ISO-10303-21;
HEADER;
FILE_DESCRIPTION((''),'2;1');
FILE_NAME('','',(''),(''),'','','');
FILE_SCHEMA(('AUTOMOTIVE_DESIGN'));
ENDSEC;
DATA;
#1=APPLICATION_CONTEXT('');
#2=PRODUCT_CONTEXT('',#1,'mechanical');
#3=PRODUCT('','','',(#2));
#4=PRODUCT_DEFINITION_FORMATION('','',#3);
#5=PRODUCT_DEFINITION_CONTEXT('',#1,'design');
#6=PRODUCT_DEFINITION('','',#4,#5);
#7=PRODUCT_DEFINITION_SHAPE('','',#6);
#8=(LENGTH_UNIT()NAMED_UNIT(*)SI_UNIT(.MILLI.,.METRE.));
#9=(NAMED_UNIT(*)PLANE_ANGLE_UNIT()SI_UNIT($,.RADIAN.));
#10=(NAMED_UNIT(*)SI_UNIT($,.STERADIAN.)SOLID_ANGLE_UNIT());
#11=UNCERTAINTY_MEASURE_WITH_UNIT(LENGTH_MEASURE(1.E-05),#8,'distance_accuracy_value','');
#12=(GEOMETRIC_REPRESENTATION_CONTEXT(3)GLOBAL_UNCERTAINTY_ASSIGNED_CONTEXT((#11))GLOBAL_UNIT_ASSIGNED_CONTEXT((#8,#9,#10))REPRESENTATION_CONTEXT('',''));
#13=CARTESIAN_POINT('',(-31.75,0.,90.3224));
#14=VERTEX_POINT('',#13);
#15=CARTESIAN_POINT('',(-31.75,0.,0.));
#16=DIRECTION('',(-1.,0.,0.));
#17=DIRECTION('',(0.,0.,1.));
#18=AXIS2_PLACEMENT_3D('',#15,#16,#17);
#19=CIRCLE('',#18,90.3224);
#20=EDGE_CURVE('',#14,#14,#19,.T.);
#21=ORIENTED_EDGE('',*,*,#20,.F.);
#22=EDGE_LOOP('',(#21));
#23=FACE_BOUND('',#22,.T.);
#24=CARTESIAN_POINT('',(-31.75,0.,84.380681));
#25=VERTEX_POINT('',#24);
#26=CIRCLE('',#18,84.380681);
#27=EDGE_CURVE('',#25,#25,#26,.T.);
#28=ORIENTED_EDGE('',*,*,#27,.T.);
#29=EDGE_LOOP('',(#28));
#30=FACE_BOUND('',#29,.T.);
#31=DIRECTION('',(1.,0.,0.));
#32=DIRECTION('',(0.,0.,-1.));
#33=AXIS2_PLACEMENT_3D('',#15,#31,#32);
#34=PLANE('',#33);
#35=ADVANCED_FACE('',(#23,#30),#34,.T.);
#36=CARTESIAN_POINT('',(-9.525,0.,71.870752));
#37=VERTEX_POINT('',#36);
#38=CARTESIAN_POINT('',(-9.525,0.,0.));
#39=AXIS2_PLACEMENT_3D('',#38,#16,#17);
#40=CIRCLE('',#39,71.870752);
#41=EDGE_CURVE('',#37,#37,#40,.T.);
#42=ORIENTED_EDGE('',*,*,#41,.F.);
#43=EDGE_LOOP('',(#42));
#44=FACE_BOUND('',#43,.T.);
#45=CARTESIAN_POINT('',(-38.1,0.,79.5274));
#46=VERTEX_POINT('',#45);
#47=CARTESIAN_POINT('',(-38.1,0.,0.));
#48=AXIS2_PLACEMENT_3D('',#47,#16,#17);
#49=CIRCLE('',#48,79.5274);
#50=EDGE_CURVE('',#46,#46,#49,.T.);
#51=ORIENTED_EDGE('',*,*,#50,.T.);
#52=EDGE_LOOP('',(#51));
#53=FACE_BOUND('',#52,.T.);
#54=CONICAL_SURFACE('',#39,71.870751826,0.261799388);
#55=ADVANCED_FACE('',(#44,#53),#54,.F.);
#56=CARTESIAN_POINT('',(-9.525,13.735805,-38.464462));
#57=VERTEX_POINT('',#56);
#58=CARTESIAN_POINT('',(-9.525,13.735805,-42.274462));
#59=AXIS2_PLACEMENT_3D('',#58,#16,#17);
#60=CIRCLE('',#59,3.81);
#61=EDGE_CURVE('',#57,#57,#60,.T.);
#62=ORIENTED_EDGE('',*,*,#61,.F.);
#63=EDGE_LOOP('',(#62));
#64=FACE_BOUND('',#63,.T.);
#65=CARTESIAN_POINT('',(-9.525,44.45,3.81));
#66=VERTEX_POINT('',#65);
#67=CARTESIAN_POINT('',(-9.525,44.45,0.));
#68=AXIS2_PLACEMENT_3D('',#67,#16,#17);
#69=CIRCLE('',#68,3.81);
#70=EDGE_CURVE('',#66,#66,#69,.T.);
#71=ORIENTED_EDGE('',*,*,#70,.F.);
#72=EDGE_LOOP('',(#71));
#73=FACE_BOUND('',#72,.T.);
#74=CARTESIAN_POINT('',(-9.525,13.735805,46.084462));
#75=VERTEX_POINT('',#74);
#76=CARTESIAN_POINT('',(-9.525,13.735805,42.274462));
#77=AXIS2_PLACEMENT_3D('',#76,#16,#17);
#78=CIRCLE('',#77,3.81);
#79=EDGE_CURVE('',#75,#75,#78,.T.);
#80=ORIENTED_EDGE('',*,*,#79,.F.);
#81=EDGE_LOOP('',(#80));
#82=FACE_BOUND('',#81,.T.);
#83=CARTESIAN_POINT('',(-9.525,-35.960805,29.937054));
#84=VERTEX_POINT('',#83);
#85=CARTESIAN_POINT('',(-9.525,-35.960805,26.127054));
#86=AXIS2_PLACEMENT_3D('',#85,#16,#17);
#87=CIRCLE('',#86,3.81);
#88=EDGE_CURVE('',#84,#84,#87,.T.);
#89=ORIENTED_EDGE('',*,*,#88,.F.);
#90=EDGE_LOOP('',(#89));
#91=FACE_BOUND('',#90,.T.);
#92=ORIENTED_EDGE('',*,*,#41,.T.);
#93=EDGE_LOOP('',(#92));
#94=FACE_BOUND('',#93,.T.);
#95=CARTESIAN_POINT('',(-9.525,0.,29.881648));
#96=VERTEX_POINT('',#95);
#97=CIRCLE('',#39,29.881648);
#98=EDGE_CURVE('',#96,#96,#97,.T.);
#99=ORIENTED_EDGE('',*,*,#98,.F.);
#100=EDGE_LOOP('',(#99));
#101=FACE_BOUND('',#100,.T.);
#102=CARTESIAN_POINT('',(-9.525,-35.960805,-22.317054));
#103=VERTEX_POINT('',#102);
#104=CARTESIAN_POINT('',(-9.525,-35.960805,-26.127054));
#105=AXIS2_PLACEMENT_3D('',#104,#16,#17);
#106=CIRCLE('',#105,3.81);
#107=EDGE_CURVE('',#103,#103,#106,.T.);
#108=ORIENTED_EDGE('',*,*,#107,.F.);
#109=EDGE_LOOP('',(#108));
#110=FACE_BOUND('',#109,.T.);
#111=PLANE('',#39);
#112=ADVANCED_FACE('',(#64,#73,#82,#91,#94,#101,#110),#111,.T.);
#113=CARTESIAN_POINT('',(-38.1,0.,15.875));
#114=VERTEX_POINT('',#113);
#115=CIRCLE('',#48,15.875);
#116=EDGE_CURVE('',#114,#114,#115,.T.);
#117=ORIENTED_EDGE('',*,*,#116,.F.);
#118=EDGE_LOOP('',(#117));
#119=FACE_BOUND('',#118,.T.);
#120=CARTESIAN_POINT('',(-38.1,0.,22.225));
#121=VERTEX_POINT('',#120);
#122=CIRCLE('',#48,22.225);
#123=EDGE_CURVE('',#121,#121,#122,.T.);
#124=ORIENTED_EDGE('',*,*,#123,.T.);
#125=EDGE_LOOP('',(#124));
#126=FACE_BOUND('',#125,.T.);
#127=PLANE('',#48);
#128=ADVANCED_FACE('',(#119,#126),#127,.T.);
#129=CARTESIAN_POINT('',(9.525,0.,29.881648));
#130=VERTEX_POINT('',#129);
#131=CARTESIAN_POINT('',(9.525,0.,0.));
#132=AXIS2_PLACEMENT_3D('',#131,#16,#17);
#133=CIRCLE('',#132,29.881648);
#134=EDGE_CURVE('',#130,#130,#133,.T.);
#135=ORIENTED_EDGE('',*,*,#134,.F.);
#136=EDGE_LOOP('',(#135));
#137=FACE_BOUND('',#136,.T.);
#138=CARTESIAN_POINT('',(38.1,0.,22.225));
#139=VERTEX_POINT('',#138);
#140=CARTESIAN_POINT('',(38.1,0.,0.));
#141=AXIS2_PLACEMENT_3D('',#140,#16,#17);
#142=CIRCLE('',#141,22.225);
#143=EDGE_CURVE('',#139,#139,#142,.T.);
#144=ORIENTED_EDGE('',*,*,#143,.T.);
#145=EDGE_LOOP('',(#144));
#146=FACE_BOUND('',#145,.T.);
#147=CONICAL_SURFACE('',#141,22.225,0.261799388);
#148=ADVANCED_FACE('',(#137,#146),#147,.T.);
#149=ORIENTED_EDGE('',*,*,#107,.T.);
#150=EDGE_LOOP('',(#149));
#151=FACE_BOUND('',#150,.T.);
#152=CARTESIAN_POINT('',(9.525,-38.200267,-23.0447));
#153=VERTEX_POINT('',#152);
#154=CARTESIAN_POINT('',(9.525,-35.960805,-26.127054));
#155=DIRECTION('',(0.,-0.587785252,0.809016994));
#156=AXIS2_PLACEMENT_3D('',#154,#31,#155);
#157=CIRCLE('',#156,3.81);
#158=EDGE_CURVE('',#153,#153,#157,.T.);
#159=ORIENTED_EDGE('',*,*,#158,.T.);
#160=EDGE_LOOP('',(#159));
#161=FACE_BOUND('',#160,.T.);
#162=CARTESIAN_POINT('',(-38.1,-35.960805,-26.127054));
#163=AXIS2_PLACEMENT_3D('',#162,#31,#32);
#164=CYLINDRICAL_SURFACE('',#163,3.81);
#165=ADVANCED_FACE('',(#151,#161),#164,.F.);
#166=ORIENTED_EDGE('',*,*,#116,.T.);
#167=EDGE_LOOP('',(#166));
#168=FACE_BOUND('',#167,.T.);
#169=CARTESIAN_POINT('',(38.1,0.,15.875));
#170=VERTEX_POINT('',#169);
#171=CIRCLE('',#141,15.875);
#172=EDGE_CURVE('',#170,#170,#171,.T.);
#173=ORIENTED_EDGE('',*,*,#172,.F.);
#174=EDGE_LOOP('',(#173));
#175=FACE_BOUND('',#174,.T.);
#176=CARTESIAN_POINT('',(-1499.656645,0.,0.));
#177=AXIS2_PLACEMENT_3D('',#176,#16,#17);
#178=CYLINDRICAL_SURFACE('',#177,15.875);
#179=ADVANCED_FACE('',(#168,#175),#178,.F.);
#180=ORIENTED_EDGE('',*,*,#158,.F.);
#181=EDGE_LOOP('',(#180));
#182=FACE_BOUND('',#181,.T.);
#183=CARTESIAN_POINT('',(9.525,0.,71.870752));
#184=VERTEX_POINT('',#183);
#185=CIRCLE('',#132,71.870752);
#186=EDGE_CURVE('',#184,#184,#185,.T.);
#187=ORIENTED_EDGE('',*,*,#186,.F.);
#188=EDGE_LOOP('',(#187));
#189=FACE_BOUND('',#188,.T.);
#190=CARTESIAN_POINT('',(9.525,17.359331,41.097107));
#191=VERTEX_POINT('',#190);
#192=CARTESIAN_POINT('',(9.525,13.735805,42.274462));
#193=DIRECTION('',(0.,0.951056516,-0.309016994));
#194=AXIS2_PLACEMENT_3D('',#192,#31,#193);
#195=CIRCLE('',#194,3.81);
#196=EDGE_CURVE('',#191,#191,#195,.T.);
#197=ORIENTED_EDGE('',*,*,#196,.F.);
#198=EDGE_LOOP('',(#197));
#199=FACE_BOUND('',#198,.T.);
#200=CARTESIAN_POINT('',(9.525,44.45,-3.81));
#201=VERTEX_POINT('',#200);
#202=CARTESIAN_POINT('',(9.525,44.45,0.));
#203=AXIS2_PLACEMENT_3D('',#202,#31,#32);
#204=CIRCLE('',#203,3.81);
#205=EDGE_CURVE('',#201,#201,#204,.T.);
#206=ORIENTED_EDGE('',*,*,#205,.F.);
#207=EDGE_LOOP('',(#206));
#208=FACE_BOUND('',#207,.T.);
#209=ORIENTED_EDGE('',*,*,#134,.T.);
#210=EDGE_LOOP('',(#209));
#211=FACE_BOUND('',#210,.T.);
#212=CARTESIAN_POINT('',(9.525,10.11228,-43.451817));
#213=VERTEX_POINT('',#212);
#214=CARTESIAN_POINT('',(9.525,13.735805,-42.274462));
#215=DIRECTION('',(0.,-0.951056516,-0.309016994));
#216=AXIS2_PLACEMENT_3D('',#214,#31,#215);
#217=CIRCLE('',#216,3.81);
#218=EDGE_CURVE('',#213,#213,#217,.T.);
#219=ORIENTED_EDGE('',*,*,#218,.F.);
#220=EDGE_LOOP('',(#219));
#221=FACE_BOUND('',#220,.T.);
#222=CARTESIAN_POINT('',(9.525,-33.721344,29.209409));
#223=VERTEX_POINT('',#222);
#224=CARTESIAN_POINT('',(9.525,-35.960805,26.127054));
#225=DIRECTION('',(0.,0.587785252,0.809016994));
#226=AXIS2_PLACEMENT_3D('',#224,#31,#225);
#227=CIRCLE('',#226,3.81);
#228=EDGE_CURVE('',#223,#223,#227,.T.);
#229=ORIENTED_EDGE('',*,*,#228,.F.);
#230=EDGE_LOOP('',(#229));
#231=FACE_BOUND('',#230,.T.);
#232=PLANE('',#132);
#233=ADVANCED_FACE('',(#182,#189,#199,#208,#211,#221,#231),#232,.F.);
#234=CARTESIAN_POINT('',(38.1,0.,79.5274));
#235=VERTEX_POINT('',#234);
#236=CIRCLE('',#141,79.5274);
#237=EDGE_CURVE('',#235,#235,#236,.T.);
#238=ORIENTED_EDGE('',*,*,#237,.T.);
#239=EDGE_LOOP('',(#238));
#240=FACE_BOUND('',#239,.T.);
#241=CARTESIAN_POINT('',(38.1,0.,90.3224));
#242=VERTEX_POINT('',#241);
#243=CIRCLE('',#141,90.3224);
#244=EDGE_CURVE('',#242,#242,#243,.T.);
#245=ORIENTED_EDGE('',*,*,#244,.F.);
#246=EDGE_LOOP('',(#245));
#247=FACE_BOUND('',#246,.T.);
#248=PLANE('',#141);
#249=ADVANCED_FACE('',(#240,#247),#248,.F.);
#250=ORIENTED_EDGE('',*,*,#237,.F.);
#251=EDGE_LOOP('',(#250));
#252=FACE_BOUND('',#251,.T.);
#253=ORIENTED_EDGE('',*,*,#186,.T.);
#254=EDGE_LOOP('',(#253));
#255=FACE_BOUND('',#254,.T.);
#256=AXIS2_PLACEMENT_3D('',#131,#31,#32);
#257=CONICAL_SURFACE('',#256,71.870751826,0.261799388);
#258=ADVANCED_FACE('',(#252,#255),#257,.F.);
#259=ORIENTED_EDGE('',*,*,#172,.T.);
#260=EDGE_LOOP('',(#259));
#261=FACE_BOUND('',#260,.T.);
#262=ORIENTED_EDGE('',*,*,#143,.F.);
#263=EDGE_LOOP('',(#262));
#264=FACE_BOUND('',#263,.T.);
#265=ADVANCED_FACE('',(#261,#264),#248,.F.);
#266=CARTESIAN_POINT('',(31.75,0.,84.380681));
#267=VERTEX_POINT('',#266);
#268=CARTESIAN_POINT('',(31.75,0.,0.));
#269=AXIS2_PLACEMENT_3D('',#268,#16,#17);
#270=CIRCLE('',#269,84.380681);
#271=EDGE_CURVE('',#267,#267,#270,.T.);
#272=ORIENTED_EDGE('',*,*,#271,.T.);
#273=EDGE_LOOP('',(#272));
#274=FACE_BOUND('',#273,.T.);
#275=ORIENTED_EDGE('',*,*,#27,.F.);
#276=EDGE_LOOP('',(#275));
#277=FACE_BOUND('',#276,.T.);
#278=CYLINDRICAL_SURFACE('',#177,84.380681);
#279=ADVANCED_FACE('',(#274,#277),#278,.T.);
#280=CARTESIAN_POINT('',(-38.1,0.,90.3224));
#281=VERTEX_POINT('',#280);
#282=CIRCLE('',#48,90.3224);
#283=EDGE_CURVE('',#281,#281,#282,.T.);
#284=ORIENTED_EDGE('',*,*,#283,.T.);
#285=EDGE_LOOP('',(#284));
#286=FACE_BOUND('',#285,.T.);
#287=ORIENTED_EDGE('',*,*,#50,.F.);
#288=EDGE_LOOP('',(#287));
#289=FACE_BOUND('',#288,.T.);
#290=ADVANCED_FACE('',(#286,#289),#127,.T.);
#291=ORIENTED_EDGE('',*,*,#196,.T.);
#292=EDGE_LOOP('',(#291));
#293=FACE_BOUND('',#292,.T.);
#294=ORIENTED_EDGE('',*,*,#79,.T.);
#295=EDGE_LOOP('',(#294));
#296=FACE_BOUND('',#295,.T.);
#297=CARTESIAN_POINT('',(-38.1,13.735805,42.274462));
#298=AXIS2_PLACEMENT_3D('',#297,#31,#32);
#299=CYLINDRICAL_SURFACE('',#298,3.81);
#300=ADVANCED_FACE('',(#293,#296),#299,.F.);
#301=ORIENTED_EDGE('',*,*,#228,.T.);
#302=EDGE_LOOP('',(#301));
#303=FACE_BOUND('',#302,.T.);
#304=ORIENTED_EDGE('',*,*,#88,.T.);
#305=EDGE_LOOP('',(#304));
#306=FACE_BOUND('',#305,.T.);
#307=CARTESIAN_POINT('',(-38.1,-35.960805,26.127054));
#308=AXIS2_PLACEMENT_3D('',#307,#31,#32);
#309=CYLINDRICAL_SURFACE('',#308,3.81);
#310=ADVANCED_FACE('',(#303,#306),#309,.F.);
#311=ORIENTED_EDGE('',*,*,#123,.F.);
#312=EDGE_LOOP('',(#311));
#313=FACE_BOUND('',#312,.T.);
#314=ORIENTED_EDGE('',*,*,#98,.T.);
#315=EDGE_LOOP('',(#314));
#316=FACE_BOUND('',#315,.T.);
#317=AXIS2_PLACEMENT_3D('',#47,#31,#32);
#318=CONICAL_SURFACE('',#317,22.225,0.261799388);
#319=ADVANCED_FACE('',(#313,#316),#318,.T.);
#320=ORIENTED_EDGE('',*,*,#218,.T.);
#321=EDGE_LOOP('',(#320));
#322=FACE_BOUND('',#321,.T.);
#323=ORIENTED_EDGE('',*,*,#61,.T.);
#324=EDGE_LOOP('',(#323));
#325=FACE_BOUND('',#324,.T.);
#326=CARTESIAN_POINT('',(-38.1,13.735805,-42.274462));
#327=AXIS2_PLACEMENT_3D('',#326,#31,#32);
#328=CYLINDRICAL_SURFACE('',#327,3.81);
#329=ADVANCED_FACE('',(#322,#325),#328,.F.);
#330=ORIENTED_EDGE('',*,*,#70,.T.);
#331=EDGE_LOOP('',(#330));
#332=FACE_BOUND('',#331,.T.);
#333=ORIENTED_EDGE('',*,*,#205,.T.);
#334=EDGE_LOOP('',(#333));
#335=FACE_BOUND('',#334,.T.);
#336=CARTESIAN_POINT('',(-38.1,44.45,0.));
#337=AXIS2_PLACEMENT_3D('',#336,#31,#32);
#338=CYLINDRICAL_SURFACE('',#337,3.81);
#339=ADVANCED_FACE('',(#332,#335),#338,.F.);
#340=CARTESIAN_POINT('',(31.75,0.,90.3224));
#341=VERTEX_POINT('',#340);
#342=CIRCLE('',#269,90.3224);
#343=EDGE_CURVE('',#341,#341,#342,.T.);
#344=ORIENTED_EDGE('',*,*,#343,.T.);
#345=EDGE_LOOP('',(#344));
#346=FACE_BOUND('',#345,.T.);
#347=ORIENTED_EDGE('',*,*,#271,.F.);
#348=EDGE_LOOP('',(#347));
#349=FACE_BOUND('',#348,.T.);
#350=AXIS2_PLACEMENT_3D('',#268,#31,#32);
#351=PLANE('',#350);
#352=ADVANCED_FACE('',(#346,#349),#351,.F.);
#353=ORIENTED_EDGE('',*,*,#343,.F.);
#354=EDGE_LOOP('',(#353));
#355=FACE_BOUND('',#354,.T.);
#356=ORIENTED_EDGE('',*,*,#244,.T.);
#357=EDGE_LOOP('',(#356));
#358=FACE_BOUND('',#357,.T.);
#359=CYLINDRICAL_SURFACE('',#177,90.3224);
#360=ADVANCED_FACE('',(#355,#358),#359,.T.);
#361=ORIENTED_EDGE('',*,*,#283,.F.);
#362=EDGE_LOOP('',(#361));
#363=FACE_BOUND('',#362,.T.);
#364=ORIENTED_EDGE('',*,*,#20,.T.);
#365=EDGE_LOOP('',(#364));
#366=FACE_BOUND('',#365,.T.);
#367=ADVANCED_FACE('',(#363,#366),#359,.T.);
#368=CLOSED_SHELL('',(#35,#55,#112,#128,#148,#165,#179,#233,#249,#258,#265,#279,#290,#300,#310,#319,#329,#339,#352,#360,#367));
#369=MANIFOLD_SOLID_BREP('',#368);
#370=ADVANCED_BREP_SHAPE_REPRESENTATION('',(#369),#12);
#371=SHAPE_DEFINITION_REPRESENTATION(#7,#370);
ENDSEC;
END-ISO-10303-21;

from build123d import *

# Parameters (mm, degrees)
SKETCH2_R          = 3.81
CUT_EXTRUDE1_DEPTH = 137.324658476
CIRPATTERN1_COUNT  = 5


with BuildPart() as part:
    # Sketch1 → Revolve2 (revolve)
    with BuildSketch(Plane.XY, mode=Mode.PRIVATE) as revolve2_sk:
        Polygon((38.1, 90.3224), (31.75, 90.3224), (31.75, 84.380681481), (-31.75, 84.380681481), (-31.75, 90.3224), (-38.1, 90.3224), (-38.1, 79.5274), (-9.525, 71.870751826), (-9.525, 29.881648174), (-38.1, 22.225), (-38.1, 15.875), (38.1, 15.875), (38.1, 22.225), (9.525, 29.881648174), (9.525, 71.870751826), (38.1, 79.5274), align=None)
    revolve(revolve2_sk.sketch.rotate(Axis((-1499.65664488, 0, 0), (1, 0, 0)), 90), axis=Axis((-1499.65664488, 0, 0), (1, 0, 0)))

    # Sketch2 → Cut-Extrude1 (cut, through all)
    with BuildSketch(Plane(origin=(9.525, 0, 0), x_dir=(0, 0, -1), z_dir=(1, 0, 0))):
        with Locations((0, 44.45)):
            Circle(SKETCH2_R)
    cut_extrude1 = extrude(amount=-CUT_EXTRUDE1_DEPTH, mode=Mode.SUBTRACT)

    # CirPattern1: Cut-Extrude1 ×5 about axis
    cirpattern1_axis = Axis((0, 0, 0), (1, 0, 0))
    for i in range(1, CIRPATTERN1_COUNT):
        add(cut_extrude1.rotate(cirpattern1_axis, i * 360 / CIRPATTERN1_COUNT), mode=Mode.SUBTRACT)


solid = part.part
